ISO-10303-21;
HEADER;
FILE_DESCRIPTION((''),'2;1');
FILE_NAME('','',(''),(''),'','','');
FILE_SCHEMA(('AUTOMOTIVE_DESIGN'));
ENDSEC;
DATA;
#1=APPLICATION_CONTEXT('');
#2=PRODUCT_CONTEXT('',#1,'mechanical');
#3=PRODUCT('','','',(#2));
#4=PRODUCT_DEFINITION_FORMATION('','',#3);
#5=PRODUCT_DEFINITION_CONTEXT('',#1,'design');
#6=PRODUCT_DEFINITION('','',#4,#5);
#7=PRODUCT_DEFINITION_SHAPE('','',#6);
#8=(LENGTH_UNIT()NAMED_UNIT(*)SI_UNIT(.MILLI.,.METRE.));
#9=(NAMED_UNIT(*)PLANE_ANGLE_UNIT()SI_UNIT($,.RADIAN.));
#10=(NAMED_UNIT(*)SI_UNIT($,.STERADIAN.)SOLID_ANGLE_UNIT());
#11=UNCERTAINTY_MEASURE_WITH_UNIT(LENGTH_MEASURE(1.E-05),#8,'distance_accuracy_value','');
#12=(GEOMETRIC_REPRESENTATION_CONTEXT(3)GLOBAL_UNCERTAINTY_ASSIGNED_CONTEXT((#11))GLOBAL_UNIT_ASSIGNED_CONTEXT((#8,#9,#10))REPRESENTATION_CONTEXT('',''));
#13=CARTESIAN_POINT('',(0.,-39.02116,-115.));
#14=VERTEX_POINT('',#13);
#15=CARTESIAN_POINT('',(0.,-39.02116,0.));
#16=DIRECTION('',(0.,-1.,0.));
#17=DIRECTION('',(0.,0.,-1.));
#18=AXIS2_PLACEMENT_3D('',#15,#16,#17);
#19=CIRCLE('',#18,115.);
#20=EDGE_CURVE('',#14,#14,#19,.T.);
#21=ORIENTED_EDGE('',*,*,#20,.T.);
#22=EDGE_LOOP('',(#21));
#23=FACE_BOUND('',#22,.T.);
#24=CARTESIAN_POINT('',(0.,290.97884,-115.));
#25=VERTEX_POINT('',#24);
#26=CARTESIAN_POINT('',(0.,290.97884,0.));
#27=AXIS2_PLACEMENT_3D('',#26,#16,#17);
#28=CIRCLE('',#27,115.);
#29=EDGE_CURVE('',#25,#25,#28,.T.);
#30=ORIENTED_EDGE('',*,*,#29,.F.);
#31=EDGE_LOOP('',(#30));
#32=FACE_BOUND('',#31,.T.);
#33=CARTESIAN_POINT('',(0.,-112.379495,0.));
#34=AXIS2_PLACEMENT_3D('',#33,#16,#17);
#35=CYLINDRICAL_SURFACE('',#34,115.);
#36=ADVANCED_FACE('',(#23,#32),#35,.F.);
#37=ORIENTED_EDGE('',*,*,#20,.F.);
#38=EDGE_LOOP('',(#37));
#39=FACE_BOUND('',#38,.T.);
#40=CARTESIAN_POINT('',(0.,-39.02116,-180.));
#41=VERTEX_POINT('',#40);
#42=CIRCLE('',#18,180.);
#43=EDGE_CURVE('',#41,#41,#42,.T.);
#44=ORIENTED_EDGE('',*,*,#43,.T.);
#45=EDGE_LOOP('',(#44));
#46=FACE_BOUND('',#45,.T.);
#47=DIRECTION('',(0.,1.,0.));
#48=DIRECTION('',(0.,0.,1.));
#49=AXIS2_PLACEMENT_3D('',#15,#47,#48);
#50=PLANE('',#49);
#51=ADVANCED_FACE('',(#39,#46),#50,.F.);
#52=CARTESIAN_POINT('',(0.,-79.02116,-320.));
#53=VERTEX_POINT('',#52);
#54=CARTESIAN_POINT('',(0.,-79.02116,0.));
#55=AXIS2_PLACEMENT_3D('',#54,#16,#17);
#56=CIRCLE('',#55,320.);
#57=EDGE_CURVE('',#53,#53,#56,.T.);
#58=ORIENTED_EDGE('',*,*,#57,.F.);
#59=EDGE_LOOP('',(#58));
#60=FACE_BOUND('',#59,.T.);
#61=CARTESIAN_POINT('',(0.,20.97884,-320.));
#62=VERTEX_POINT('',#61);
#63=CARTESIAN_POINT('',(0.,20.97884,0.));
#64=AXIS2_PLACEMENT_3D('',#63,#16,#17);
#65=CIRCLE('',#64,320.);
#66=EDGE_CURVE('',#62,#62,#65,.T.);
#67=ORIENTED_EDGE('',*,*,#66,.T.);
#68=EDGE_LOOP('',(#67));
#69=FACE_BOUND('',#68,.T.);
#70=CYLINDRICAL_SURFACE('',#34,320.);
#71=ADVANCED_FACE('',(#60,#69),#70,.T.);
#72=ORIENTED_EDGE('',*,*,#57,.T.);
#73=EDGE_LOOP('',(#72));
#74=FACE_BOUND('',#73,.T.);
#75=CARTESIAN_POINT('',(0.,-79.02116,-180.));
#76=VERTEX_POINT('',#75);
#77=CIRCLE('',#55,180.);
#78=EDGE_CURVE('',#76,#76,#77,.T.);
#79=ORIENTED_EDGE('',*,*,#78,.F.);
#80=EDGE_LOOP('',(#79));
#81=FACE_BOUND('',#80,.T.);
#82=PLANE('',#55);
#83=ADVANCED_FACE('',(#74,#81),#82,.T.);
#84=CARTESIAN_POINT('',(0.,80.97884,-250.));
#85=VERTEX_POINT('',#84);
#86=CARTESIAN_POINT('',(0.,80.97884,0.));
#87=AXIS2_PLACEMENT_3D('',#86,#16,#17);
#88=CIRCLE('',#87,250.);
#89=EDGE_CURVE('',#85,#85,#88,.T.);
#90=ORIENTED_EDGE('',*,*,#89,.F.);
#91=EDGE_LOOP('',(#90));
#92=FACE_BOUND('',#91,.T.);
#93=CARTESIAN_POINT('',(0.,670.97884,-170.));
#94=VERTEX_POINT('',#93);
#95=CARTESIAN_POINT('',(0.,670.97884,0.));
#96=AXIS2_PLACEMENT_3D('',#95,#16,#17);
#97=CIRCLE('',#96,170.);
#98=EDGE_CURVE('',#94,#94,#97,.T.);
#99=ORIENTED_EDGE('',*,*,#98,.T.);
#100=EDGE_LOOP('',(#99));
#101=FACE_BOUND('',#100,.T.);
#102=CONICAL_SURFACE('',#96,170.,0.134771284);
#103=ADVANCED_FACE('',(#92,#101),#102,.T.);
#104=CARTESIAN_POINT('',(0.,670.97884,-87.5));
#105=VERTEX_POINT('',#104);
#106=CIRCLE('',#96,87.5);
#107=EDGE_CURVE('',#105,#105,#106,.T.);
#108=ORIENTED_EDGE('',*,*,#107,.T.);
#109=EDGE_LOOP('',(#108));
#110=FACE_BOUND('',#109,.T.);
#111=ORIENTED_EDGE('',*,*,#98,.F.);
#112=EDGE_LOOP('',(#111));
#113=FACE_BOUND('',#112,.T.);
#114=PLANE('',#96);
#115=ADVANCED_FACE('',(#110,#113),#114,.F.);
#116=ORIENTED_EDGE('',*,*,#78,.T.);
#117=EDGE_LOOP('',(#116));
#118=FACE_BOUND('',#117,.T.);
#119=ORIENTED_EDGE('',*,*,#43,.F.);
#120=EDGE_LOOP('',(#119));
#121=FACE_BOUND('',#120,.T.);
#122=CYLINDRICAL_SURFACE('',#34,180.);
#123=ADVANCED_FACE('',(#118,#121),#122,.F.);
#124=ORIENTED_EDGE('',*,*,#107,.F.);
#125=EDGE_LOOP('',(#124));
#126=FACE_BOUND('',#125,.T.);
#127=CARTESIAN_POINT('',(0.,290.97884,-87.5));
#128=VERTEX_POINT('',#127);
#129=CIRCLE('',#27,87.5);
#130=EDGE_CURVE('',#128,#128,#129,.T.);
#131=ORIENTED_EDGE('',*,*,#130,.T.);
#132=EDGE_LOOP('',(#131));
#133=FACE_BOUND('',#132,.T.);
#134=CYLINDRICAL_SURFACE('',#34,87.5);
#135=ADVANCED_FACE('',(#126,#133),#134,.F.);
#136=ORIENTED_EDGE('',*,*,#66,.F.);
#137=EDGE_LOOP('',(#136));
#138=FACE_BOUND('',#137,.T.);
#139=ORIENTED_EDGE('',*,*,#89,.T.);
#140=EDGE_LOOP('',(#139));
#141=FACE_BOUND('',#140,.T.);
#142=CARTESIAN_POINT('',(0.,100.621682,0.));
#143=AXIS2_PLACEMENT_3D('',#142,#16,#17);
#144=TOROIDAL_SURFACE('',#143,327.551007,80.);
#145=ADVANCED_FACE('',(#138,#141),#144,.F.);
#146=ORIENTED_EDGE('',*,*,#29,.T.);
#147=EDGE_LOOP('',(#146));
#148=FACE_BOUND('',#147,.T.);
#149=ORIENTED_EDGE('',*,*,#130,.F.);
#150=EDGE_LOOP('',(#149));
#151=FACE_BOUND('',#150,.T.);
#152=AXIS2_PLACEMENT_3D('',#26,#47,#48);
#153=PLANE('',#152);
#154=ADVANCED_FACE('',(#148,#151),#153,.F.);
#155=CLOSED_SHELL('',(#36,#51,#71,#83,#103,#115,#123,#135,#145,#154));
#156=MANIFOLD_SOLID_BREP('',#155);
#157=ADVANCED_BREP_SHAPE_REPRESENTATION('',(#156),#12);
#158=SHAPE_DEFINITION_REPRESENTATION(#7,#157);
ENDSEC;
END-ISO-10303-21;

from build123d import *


with BuildPart() as part:
    # Esquisse1 → Révolution1 (revolve)
    with BuildSketch(Plane.XY, mode=Mode.PRIVATE) as r_volution1_sk:
        Polygon((115, 80.978839747), (250, 80.978839747), (170, 670.978839747), (87.5, 670.978839747), (87.5, 290.978839747), (115, 290.978839747), align=None)
        with BuildLine():
            Line((115, 20.978839747), (320, 20.978839747))
            ThreePointArc((320, 20.978839747), (275.487697577, 39.881153587), (250, 80.978839747))
            Line((250, 80.978839747), (115, 80.978839747))
            Line((115, 80.978839747), (115, 20.978839747))
        make_face()
        Polygon((180, -39.021160253), (180, -79.021160253), (320, -79.021160253), (320, 20.978839747), (115, 20.978839747), (115, -39.021160253), align=None)
    revolve(r_volution1_sk.sketch.rotate(Axis((0, -112.379494544, 0), (0, 1, 0)), 90), axis=Axis((0, -112.379494544, 0), (0, 1, 0)))


solid = part.part
